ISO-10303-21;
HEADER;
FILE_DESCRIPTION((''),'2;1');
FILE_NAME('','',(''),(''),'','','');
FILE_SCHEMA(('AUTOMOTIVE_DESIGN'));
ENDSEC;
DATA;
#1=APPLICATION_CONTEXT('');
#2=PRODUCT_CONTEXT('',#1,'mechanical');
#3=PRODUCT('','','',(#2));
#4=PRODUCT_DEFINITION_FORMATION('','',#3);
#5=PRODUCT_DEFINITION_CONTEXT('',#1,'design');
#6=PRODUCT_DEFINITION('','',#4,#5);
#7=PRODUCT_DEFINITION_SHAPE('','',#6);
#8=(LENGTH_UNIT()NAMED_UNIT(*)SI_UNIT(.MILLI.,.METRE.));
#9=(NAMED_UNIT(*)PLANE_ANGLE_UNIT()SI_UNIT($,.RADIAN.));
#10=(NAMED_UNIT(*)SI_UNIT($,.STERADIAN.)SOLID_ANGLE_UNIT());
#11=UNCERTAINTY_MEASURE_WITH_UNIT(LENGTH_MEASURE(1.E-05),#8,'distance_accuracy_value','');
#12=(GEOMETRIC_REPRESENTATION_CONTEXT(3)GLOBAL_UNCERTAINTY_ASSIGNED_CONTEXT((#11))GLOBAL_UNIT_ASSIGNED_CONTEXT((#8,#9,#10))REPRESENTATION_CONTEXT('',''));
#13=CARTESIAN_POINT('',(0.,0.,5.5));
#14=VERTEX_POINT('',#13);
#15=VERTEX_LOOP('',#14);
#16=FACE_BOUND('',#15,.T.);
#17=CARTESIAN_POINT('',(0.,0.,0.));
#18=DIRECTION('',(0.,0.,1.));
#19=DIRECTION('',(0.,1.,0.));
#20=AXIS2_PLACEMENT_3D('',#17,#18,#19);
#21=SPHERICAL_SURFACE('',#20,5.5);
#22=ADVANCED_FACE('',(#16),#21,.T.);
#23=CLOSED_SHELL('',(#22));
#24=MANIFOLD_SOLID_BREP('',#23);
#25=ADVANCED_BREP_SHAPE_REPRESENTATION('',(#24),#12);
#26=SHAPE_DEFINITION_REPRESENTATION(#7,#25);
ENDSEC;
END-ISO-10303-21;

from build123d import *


with BuildPart() as f1:
    # F0 (on Right) → F1 (revolve)
    with BuildSketch(Plane.YZ):
        with BuildLine():
            Line((0, 0), (0, -5.5))
            ThreePointArc((0, -5.5), (5.5, 0), (0, 5.5))
            Line((0, 5.5), (0, 0))
        make_face()
    revolve(axis=Axis((0, 0, 2.75), (0, 0, 1)))


solid = f1.part
